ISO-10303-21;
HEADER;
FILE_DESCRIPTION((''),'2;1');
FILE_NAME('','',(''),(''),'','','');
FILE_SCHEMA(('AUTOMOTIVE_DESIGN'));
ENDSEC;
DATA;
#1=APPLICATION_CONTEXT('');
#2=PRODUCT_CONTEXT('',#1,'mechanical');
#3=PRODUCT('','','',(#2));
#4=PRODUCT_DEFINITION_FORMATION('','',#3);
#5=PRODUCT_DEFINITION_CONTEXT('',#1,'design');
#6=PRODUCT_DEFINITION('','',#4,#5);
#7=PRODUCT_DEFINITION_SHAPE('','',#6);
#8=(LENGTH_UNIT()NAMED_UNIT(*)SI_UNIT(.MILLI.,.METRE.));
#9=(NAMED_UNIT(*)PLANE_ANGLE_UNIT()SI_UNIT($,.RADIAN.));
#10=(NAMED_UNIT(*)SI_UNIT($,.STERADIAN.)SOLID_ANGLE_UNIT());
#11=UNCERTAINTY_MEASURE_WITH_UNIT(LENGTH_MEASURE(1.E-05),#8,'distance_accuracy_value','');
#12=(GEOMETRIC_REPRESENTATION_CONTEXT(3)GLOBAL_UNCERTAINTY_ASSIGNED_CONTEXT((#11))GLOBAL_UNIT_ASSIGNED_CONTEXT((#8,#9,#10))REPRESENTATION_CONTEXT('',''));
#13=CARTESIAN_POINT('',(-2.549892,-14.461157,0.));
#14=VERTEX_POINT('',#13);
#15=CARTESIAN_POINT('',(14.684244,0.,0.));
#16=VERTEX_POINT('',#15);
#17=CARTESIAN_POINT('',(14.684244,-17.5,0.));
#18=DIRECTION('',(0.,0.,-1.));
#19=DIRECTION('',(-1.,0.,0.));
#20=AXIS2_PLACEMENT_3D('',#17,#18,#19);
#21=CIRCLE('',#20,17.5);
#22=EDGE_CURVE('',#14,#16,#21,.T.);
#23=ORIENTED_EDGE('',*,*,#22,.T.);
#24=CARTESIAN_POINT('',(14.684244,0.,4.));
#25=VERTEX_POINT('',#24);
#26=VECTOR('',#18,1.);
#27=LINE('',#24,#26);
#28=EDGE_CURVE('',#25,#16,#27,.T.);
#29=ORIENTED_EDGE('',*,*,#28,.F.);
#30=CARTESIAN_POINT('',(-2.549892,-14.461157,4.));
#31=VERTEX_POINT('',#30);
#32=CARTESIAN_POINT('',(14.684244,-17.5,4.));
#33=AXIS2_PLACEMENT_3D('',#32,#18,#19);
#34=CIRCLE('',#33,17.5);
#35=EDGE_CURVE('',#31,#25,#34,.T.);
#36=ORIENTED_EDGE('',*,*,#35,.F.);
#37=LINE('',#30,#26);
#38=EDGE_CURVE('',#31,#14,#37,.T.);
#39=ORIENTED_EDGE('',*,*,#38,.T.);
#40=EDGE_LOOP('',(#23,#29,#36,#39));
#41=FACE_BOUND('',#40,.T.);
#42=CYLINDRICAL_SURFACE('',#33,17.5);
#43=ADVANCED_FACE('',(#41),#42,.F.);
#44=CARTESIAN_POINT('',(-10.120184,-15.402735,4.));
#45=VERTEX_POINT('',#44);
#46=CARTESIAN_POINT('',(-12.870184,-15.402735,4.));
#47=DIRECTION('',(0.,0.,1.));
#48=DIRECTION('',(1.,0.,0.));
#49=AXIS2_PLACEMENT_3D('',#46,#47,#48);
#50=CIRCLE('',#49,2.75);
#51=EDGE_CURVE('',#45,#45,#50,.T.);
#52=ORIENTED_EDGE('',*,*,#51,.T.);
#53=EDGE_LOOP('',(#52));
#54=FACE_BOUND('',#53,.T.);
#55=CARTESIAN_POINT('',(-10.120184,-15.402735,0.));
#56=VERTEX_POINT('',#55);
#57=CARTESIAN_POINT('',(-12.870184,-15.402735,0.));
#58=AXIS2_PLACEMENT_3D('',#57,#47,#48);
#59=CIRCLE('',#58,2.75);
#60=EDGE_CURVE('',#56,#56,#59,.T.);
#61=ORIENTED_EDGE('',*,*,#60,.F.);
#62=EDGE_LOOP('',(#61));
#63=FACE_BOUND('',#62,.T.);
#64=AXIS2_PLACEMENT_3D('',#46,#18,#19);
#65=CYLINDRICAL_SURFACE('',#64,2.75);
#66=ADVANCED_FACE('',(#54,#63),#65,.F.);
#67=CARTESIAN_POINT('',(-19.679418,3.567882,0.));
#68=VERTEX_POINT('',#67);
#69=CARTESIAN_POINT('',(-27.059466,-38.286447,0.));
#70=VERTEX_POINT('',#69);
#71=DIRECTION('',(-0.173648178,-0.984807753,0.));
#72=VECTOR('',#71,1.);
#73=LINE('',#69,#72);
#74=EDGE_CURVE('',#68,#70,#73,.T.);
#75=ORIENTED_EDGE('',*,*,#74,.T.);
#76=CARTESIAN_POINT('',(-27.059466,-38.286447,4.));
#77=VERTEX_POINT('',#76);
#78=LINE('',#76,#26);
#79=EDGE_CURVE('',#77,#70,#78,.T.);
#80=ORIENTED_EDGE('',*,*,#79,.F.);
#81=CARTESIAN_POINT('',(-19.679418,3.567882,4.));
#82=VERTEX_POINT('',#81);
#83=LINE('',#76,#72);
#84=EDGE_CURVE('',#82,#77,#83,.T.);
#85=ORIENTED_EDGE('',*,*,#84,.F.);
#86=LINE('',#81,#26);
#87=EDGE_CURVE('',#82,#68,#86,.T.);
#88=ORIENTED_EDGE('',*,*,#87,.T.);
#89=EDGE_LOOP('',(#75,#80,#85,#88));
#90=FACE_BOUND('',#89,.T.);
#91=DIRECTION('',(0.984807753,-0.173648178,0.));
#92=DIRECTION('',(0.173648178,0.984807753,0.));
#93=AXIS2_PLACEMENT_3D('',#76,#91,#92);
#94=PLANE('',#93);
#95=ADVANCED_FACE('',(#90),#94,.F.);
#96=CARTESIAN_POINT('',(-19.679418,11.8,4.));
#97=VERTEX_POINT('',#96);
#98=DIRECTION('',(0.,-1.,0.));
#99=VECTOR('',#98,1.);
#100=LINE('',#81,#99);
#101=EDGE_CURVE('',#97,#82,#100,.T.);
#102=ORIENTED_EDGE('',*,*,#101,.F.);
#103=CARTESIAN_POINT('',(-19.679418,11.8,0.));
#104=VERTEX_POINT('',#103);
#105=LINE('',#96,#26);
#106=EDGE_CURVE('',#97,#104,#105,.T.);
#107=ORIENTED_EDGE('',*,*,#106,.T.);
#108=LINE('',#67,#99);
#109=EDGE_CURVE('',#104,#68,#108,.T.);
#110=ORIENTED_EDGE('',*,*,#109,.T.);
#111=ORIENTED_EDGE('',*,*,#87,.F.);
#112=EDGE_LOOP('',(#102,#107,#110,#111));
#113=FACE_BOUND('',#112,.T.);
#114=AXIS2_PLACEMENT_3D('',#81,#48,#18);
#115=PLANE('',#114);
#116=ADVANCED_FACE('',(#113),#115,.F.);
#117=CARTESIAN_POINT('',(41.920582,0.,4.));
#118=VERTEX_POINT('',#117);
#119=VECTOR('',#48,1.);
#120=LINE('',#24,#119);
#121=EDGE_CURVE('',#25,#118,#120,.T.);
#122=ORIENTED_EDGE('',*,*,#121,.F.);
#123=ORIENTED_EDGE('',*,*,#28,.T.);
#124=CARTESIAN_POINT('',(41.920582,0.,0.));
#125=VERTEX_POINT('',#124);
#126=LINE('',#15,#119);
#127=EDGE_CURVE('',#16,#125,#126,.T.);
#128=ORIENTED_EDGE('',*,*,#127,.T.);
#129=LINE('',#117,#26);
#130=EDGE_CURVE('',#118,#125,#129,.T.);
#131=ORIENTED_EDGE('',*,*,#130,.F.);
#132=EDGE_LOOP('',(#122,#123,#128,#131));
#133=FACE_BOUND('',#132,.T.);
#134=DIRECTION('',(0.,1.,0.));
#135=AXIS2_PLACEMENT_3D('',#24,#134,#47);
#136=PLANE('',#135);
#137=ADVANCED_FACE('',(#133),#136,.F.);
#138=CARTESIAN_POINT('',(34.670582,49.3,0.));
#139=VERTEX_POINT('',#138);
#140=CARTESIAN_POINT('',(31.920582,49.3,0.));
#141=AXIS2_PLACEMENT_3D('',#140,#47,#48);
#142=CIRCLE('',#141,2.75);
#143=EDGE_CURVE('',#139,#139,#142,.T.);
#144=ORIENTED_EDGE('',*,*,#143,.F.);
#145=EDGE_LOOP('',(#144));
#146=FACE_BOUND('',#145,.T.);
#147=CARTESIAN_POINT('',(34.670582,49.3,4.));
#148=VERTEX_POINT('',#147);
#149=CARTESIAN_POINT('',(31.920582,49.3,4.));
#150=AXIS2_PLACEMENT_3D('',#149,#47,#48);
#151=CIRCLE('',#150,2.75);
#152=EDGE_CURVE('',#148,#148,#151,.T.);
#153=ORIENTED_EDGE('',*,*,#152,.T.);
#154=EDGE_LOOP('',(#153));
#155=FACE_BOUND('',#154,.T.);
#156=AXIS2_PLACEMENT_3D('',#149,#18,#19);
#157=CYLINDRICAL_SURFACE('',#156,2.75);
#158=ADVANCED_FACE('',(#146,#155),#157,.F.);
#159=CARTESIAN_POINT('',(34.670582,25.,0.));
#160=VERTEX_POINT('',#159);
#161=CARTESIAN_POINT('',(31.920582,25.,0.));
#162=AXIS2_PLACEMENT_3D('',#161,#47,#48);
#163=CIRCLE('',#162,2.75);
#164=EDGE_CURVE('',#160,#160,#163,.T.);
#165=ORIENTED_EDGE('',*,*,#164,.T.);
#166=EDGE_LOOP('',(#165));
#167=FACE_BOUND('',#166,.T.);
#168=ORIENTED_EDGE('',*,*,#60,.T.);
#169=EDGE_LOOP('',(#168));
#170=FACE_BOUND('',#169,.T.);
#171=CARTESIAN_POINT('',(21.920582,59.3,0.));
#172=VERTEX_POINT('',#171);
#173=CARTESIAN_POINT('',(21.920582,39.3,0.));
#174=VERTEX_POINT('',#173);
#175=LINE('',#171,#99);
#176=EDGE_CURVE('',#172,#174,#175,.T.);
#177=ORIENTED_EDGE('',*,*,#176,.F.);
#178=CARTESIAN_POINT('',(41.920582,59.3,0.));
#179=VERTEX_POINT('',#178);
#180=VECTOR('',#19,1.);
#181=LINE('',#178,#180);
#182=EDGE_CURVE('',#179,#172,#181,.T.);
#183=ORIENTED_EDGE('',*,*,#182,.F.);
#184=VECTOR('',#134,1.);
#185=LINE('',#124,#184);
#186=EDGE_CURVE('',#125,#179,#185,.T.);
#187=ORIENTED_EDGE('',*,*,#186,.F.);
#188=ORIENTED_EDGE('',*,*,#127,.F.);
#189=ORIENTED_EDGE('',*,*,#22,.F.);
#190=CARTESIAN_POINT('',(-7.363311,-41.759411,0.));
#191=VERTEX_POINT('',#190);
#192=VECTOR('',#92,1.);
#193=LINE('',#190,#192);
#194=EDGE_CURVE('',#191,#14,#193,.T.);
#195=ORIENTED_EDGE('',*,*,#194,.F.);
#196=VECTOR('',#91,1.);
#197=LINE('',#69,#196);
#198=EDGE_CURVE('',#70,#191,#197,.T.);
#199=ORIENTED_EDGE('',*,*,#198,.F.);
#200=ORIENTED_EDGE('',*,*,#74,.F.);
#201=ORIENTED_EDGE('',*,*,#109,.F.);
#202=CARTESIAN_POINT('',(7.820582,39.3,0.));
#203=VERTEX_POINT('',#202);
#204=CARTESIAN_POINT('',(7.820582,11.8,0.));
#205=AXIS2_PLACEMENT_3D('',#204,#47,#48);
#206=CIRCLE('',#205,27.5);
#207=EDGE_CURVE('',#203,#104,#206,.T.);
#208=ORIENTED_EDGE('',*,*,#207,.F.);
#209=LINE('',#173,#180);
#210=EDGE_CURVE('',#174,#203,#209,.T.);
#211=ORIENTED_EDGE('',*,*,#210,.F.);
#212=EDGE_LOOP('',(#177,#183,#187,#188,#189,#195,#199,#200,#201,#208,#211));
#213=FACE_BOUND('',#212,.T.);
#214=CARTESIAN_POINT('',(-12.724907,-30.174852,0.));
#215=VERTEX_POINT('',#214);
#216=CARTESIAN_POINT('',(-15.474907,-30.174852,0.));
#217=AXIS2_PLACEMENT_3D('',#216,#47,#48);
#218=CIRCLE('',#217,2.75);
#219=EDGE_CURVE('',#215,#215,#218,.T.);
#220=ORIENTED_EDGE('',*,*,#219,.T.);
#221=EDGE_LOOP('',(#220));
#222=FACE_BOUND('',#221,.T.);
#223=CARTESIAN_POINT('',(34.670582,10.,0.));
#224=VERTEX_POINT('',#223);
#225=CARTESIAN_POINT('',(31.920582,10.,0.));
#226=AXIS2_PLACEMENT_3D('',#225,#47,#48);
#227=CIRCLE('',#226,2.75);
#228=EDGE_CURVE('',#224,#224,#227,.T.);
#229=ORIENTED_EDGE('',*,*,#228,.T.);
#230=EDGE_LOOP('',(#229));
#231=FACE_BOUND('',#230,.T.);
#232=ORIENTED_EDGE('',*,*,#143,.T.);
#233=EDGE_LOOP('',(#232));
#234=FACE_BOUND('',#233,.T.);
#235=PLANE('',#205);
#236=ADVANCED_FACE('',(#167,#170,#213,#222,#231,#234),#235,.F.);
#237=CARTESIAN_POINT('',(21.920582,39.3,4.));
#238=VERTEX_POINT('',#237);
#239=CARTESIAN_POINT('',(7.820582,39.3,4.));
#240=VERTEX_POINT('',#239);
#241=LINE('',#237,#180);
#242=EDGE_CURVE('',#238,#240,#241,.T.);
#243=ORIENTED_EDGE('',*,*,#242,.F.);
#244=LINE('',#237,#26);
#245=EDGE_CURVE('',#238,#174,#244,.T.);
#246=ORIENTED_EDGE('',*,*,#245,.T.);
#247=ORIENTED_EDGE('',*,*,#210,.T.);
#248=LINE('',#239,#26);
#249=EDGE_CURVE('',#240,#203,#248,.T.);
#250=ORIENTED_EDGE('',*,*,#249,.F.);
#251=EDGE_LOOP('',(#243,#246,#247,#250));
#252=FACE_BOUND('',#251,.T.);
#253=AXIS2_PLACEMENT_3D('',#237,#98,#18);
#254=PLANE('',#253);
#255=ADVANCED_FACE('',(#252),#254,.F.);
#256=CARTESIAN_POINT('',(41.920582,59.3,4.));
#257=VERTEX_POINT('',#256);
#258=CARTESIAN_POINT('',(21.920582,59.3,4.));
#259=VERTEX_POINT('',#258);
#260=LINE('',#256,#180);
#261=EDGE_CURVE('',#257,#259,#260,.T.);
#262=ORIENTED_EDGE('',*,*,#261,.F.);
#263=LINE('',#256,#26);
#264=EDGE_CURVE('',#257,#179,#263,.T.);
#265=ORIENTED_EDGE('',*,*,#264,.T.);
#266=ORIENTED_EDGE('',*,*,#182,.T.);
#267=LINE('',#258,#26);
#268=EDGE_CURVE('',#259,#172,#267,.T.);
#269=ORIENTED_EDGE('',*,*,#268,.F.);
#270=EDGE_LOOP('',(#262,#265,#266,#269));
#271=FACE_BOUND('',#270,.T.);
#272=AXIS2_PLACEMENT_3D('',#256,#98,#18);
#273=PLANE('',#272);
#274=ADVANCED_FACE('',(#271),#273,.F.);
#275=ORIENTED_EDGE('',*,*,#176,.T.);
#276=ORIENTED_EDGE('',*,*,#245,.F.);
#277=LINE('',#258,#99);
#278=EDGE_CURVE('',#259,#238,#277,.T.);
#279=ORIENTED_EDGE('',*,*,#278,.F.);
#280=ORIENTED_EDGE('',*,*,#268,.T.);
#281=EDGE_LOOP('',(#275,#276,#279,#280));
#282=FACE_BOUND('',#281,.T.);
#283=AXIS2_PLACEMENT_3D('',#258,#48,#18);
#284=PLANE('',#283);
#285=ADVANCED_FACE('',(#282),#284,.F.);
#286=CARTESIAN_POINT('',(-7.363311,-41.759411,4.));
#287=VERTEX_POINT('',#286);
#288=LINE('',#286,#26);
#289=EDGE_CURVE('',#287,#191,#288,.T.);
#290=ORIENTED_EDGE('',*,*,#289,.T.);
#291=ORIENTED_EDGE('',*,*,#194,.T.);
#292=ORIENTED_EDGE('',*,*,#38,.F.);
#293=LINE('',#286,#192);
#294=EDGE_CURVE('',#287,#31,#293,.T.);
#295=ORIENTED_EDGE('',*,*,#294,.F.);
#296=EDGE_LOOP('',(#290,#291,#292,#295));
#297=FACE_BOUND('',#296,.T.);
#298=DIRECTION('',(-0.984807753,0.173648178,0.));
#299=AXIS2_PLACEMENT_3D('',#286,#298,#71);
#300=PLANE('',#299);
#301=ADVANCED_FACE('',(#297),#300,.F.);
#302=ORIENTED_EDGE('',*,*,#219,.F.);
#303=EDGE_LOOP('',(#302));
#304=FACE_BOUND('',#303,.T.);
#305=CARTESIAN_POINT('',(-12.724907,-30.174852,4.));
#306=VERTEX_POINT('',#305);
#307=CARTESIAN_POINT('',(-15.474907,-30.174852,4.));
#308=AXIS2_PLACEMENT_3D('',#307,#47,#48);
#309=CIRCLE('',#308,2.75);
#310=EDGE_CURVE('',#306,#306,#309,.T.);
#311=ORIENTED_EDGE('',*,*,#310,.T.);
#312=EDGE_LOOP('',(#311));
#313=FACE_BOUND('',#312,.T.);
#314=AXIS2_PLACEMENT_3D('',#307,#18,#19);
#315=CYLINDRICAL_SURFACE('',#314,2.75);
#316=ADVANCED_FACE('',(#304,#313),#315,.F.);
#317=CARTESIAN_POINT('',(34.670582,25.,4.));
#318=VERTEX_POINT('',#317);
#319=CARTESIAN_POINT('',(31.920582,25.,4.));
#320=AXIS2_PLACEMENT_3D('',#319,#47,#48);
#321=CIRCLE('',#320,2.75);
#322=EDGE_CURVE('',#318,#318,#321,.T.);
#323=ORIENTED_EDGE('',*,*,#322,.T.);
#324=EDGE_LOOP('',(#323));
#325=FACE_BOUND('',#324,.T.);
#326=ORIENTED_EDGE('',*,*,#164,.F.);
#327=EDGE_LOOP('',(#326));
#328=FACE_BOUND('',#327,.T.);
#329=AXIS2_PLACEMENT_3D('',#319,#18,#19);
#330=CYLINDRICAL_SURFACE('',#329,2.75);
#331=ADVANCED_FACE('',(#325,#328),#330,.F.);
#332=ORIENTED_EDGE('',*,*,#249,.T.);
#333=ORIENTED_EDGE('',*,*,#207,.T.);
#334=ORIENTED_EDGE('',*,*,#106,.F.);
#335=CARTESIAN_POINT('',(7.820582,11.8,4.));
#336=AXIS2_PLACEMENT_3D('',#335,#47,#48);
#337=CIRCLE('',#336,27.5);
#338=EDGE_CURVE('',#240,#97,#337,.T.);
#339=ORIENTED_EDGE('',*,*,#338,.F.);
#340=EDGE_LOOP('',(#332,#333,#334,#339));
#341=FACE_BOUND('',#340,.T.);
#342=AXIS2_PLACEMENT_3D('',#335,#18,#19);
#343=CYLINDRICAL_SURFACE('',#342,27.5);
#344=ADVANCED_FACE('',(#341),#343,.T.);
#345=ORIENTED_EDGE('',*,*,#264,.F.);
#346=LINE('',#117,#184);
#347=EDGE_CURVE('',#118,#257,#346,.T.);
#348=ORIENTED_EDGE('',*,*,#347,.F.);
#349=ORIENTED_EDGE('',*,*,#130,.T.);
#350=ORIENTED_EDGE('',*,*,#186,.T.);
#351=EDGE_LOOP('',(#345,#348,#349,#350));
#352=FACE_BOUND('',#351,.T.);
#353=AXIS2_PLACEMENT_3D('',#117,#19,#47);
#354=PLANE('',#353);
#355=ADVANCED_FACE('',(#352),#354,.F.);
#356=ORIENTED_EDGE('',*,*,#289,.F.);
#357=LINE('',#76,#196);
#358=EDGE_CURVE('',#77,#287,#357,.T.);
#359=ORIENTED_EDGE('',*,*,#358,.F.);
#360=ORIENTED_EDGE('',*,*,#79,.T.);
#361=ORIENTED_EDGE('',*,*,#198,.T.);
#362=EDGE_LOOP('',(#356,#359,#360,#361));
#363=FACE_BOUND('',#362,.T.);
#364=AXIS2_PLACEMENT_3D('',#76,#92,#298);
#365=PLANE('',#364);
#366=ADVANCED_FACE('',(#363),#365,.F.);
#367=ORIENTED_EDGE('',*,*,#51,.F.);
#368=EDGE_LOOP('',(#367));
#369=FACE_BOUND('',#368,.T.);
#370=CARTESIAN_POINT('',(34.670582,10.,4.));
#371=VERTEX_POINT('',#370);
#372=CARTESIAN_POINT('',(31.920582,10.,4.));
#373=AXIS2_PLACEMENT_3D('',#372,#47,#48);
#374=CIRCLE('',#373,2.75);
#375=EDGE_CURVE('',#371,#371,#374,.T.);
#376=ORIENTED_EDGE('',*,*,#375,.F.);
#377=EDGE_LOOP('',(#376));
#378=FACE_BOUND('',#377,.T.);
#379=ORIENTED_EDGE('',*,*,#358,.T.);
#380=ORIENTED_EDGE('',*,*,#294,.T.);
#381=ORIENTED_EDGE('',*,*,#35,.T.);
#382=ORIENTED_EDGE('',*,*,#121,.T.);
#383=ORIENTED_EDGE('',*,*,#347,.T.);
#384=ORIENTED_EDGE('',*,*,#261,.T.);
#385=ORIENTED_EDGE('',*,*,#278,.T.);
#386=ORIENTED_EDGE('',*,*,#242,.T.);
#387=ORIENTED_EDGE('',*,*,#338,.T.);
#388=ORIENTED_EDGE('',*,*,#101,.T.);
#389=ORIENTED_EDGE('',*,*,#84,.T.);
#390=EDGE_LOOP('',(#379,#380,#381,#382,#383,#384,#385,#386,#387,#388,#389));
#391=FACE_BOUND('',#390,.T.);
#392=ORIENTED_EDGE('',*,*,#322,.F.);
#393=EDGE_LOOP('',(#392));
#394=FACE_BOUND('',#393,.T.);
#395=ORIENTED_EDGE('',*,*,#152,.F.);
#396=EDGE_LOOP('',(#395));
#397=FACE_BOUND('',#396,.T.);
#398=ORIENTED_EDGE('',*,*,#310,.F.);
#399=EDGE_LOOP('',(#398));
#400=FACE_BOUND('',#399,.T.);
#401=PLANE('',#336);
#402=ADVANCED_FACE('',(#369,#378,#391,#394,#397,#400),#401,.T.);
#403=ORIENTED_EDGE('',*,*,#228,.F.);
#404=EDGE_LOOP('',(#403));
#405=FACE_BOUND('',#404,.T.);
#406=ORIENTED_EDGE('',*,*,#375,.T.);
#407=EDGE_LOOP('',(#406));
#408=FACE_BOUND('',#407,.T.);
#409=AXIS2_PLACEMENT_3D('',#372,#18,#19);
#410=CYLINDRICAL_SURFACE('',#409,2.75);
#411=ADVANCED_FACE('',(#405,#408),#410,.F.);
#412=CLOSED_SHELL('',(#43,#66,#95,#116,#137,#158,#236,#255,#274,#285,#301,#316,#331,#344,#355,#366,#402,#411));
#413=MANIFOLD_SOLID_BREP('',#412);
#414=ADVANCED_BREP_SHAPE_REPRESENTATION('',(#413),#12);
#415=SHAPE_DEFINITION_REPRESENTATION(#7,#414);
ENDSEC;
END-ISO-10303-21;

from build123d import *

# Parameters (mm, degrees)
SKETCH1_R           = 2.75
BOSS_EXTRUDE1_DEPTH = 4


with BuildPart() as part:
    # Sketch1 → Boss-Extrude1 (new body)
    with BuildSketch(Plane.XY):
        with BuildLine():
            Line((14.684243546, 0), (41.920581655, 0))
            Line((41.920581655, 0), (41.920581655, 59.3))
            Line((41.920581655, 59.3), (21.920581655, 59.3))
            Line((21.920581655, 59.3), (21.920581655, 39.3))
            Line((21.920581655, 39.3), (7.820581655, 39.3))
            ThreePointArc((7.820581655, 39.3), (-11.624854827, 31.245436483), (-19.679418345, 11.8))
            Line((-19.679418345, 11.8), (-19.679418345, 3.567882185))
            Line((-19.679418345, 3.567882185), (-27.059465895, -38.286447318))
            Line((-27.059465895, -38.286447318), (-7.363310835, -41.759410871))
            Line((-7.363310835, -41.759410871), (-2.549892132, -14.461156891))
            ThreePointArc((-2.549892132, -14.461156891), (3.435460376, -4.094222245), (14.684243546, 0))
        make_face()
        with Locations((31.920581655, 49.3)):
            Circle(SKETCH1_R, mode=Mode.SUBTRACT)
        with Locations((31.920581655, 25)):
            Circle(SKETCH1_R, mode=Mode.SUBTRACT)
        with Locations((31.920581655, 10)):
            Circle(SKETCH1_R, mode=Mode.SUBTRACT)
        with Locations((-15.474906589, -30.174851565)):
            Circle(SKETCH1_R, mode=Mode.SUBTRACT)
        with Locations((-12.870183924, -15.402735269)):
            Circle(SKETCH1_R, mode=Mode.SUBTRACT)
    extrude(amount=BOSS_EXTRUDE1_DEPTH)


solid = part.part
